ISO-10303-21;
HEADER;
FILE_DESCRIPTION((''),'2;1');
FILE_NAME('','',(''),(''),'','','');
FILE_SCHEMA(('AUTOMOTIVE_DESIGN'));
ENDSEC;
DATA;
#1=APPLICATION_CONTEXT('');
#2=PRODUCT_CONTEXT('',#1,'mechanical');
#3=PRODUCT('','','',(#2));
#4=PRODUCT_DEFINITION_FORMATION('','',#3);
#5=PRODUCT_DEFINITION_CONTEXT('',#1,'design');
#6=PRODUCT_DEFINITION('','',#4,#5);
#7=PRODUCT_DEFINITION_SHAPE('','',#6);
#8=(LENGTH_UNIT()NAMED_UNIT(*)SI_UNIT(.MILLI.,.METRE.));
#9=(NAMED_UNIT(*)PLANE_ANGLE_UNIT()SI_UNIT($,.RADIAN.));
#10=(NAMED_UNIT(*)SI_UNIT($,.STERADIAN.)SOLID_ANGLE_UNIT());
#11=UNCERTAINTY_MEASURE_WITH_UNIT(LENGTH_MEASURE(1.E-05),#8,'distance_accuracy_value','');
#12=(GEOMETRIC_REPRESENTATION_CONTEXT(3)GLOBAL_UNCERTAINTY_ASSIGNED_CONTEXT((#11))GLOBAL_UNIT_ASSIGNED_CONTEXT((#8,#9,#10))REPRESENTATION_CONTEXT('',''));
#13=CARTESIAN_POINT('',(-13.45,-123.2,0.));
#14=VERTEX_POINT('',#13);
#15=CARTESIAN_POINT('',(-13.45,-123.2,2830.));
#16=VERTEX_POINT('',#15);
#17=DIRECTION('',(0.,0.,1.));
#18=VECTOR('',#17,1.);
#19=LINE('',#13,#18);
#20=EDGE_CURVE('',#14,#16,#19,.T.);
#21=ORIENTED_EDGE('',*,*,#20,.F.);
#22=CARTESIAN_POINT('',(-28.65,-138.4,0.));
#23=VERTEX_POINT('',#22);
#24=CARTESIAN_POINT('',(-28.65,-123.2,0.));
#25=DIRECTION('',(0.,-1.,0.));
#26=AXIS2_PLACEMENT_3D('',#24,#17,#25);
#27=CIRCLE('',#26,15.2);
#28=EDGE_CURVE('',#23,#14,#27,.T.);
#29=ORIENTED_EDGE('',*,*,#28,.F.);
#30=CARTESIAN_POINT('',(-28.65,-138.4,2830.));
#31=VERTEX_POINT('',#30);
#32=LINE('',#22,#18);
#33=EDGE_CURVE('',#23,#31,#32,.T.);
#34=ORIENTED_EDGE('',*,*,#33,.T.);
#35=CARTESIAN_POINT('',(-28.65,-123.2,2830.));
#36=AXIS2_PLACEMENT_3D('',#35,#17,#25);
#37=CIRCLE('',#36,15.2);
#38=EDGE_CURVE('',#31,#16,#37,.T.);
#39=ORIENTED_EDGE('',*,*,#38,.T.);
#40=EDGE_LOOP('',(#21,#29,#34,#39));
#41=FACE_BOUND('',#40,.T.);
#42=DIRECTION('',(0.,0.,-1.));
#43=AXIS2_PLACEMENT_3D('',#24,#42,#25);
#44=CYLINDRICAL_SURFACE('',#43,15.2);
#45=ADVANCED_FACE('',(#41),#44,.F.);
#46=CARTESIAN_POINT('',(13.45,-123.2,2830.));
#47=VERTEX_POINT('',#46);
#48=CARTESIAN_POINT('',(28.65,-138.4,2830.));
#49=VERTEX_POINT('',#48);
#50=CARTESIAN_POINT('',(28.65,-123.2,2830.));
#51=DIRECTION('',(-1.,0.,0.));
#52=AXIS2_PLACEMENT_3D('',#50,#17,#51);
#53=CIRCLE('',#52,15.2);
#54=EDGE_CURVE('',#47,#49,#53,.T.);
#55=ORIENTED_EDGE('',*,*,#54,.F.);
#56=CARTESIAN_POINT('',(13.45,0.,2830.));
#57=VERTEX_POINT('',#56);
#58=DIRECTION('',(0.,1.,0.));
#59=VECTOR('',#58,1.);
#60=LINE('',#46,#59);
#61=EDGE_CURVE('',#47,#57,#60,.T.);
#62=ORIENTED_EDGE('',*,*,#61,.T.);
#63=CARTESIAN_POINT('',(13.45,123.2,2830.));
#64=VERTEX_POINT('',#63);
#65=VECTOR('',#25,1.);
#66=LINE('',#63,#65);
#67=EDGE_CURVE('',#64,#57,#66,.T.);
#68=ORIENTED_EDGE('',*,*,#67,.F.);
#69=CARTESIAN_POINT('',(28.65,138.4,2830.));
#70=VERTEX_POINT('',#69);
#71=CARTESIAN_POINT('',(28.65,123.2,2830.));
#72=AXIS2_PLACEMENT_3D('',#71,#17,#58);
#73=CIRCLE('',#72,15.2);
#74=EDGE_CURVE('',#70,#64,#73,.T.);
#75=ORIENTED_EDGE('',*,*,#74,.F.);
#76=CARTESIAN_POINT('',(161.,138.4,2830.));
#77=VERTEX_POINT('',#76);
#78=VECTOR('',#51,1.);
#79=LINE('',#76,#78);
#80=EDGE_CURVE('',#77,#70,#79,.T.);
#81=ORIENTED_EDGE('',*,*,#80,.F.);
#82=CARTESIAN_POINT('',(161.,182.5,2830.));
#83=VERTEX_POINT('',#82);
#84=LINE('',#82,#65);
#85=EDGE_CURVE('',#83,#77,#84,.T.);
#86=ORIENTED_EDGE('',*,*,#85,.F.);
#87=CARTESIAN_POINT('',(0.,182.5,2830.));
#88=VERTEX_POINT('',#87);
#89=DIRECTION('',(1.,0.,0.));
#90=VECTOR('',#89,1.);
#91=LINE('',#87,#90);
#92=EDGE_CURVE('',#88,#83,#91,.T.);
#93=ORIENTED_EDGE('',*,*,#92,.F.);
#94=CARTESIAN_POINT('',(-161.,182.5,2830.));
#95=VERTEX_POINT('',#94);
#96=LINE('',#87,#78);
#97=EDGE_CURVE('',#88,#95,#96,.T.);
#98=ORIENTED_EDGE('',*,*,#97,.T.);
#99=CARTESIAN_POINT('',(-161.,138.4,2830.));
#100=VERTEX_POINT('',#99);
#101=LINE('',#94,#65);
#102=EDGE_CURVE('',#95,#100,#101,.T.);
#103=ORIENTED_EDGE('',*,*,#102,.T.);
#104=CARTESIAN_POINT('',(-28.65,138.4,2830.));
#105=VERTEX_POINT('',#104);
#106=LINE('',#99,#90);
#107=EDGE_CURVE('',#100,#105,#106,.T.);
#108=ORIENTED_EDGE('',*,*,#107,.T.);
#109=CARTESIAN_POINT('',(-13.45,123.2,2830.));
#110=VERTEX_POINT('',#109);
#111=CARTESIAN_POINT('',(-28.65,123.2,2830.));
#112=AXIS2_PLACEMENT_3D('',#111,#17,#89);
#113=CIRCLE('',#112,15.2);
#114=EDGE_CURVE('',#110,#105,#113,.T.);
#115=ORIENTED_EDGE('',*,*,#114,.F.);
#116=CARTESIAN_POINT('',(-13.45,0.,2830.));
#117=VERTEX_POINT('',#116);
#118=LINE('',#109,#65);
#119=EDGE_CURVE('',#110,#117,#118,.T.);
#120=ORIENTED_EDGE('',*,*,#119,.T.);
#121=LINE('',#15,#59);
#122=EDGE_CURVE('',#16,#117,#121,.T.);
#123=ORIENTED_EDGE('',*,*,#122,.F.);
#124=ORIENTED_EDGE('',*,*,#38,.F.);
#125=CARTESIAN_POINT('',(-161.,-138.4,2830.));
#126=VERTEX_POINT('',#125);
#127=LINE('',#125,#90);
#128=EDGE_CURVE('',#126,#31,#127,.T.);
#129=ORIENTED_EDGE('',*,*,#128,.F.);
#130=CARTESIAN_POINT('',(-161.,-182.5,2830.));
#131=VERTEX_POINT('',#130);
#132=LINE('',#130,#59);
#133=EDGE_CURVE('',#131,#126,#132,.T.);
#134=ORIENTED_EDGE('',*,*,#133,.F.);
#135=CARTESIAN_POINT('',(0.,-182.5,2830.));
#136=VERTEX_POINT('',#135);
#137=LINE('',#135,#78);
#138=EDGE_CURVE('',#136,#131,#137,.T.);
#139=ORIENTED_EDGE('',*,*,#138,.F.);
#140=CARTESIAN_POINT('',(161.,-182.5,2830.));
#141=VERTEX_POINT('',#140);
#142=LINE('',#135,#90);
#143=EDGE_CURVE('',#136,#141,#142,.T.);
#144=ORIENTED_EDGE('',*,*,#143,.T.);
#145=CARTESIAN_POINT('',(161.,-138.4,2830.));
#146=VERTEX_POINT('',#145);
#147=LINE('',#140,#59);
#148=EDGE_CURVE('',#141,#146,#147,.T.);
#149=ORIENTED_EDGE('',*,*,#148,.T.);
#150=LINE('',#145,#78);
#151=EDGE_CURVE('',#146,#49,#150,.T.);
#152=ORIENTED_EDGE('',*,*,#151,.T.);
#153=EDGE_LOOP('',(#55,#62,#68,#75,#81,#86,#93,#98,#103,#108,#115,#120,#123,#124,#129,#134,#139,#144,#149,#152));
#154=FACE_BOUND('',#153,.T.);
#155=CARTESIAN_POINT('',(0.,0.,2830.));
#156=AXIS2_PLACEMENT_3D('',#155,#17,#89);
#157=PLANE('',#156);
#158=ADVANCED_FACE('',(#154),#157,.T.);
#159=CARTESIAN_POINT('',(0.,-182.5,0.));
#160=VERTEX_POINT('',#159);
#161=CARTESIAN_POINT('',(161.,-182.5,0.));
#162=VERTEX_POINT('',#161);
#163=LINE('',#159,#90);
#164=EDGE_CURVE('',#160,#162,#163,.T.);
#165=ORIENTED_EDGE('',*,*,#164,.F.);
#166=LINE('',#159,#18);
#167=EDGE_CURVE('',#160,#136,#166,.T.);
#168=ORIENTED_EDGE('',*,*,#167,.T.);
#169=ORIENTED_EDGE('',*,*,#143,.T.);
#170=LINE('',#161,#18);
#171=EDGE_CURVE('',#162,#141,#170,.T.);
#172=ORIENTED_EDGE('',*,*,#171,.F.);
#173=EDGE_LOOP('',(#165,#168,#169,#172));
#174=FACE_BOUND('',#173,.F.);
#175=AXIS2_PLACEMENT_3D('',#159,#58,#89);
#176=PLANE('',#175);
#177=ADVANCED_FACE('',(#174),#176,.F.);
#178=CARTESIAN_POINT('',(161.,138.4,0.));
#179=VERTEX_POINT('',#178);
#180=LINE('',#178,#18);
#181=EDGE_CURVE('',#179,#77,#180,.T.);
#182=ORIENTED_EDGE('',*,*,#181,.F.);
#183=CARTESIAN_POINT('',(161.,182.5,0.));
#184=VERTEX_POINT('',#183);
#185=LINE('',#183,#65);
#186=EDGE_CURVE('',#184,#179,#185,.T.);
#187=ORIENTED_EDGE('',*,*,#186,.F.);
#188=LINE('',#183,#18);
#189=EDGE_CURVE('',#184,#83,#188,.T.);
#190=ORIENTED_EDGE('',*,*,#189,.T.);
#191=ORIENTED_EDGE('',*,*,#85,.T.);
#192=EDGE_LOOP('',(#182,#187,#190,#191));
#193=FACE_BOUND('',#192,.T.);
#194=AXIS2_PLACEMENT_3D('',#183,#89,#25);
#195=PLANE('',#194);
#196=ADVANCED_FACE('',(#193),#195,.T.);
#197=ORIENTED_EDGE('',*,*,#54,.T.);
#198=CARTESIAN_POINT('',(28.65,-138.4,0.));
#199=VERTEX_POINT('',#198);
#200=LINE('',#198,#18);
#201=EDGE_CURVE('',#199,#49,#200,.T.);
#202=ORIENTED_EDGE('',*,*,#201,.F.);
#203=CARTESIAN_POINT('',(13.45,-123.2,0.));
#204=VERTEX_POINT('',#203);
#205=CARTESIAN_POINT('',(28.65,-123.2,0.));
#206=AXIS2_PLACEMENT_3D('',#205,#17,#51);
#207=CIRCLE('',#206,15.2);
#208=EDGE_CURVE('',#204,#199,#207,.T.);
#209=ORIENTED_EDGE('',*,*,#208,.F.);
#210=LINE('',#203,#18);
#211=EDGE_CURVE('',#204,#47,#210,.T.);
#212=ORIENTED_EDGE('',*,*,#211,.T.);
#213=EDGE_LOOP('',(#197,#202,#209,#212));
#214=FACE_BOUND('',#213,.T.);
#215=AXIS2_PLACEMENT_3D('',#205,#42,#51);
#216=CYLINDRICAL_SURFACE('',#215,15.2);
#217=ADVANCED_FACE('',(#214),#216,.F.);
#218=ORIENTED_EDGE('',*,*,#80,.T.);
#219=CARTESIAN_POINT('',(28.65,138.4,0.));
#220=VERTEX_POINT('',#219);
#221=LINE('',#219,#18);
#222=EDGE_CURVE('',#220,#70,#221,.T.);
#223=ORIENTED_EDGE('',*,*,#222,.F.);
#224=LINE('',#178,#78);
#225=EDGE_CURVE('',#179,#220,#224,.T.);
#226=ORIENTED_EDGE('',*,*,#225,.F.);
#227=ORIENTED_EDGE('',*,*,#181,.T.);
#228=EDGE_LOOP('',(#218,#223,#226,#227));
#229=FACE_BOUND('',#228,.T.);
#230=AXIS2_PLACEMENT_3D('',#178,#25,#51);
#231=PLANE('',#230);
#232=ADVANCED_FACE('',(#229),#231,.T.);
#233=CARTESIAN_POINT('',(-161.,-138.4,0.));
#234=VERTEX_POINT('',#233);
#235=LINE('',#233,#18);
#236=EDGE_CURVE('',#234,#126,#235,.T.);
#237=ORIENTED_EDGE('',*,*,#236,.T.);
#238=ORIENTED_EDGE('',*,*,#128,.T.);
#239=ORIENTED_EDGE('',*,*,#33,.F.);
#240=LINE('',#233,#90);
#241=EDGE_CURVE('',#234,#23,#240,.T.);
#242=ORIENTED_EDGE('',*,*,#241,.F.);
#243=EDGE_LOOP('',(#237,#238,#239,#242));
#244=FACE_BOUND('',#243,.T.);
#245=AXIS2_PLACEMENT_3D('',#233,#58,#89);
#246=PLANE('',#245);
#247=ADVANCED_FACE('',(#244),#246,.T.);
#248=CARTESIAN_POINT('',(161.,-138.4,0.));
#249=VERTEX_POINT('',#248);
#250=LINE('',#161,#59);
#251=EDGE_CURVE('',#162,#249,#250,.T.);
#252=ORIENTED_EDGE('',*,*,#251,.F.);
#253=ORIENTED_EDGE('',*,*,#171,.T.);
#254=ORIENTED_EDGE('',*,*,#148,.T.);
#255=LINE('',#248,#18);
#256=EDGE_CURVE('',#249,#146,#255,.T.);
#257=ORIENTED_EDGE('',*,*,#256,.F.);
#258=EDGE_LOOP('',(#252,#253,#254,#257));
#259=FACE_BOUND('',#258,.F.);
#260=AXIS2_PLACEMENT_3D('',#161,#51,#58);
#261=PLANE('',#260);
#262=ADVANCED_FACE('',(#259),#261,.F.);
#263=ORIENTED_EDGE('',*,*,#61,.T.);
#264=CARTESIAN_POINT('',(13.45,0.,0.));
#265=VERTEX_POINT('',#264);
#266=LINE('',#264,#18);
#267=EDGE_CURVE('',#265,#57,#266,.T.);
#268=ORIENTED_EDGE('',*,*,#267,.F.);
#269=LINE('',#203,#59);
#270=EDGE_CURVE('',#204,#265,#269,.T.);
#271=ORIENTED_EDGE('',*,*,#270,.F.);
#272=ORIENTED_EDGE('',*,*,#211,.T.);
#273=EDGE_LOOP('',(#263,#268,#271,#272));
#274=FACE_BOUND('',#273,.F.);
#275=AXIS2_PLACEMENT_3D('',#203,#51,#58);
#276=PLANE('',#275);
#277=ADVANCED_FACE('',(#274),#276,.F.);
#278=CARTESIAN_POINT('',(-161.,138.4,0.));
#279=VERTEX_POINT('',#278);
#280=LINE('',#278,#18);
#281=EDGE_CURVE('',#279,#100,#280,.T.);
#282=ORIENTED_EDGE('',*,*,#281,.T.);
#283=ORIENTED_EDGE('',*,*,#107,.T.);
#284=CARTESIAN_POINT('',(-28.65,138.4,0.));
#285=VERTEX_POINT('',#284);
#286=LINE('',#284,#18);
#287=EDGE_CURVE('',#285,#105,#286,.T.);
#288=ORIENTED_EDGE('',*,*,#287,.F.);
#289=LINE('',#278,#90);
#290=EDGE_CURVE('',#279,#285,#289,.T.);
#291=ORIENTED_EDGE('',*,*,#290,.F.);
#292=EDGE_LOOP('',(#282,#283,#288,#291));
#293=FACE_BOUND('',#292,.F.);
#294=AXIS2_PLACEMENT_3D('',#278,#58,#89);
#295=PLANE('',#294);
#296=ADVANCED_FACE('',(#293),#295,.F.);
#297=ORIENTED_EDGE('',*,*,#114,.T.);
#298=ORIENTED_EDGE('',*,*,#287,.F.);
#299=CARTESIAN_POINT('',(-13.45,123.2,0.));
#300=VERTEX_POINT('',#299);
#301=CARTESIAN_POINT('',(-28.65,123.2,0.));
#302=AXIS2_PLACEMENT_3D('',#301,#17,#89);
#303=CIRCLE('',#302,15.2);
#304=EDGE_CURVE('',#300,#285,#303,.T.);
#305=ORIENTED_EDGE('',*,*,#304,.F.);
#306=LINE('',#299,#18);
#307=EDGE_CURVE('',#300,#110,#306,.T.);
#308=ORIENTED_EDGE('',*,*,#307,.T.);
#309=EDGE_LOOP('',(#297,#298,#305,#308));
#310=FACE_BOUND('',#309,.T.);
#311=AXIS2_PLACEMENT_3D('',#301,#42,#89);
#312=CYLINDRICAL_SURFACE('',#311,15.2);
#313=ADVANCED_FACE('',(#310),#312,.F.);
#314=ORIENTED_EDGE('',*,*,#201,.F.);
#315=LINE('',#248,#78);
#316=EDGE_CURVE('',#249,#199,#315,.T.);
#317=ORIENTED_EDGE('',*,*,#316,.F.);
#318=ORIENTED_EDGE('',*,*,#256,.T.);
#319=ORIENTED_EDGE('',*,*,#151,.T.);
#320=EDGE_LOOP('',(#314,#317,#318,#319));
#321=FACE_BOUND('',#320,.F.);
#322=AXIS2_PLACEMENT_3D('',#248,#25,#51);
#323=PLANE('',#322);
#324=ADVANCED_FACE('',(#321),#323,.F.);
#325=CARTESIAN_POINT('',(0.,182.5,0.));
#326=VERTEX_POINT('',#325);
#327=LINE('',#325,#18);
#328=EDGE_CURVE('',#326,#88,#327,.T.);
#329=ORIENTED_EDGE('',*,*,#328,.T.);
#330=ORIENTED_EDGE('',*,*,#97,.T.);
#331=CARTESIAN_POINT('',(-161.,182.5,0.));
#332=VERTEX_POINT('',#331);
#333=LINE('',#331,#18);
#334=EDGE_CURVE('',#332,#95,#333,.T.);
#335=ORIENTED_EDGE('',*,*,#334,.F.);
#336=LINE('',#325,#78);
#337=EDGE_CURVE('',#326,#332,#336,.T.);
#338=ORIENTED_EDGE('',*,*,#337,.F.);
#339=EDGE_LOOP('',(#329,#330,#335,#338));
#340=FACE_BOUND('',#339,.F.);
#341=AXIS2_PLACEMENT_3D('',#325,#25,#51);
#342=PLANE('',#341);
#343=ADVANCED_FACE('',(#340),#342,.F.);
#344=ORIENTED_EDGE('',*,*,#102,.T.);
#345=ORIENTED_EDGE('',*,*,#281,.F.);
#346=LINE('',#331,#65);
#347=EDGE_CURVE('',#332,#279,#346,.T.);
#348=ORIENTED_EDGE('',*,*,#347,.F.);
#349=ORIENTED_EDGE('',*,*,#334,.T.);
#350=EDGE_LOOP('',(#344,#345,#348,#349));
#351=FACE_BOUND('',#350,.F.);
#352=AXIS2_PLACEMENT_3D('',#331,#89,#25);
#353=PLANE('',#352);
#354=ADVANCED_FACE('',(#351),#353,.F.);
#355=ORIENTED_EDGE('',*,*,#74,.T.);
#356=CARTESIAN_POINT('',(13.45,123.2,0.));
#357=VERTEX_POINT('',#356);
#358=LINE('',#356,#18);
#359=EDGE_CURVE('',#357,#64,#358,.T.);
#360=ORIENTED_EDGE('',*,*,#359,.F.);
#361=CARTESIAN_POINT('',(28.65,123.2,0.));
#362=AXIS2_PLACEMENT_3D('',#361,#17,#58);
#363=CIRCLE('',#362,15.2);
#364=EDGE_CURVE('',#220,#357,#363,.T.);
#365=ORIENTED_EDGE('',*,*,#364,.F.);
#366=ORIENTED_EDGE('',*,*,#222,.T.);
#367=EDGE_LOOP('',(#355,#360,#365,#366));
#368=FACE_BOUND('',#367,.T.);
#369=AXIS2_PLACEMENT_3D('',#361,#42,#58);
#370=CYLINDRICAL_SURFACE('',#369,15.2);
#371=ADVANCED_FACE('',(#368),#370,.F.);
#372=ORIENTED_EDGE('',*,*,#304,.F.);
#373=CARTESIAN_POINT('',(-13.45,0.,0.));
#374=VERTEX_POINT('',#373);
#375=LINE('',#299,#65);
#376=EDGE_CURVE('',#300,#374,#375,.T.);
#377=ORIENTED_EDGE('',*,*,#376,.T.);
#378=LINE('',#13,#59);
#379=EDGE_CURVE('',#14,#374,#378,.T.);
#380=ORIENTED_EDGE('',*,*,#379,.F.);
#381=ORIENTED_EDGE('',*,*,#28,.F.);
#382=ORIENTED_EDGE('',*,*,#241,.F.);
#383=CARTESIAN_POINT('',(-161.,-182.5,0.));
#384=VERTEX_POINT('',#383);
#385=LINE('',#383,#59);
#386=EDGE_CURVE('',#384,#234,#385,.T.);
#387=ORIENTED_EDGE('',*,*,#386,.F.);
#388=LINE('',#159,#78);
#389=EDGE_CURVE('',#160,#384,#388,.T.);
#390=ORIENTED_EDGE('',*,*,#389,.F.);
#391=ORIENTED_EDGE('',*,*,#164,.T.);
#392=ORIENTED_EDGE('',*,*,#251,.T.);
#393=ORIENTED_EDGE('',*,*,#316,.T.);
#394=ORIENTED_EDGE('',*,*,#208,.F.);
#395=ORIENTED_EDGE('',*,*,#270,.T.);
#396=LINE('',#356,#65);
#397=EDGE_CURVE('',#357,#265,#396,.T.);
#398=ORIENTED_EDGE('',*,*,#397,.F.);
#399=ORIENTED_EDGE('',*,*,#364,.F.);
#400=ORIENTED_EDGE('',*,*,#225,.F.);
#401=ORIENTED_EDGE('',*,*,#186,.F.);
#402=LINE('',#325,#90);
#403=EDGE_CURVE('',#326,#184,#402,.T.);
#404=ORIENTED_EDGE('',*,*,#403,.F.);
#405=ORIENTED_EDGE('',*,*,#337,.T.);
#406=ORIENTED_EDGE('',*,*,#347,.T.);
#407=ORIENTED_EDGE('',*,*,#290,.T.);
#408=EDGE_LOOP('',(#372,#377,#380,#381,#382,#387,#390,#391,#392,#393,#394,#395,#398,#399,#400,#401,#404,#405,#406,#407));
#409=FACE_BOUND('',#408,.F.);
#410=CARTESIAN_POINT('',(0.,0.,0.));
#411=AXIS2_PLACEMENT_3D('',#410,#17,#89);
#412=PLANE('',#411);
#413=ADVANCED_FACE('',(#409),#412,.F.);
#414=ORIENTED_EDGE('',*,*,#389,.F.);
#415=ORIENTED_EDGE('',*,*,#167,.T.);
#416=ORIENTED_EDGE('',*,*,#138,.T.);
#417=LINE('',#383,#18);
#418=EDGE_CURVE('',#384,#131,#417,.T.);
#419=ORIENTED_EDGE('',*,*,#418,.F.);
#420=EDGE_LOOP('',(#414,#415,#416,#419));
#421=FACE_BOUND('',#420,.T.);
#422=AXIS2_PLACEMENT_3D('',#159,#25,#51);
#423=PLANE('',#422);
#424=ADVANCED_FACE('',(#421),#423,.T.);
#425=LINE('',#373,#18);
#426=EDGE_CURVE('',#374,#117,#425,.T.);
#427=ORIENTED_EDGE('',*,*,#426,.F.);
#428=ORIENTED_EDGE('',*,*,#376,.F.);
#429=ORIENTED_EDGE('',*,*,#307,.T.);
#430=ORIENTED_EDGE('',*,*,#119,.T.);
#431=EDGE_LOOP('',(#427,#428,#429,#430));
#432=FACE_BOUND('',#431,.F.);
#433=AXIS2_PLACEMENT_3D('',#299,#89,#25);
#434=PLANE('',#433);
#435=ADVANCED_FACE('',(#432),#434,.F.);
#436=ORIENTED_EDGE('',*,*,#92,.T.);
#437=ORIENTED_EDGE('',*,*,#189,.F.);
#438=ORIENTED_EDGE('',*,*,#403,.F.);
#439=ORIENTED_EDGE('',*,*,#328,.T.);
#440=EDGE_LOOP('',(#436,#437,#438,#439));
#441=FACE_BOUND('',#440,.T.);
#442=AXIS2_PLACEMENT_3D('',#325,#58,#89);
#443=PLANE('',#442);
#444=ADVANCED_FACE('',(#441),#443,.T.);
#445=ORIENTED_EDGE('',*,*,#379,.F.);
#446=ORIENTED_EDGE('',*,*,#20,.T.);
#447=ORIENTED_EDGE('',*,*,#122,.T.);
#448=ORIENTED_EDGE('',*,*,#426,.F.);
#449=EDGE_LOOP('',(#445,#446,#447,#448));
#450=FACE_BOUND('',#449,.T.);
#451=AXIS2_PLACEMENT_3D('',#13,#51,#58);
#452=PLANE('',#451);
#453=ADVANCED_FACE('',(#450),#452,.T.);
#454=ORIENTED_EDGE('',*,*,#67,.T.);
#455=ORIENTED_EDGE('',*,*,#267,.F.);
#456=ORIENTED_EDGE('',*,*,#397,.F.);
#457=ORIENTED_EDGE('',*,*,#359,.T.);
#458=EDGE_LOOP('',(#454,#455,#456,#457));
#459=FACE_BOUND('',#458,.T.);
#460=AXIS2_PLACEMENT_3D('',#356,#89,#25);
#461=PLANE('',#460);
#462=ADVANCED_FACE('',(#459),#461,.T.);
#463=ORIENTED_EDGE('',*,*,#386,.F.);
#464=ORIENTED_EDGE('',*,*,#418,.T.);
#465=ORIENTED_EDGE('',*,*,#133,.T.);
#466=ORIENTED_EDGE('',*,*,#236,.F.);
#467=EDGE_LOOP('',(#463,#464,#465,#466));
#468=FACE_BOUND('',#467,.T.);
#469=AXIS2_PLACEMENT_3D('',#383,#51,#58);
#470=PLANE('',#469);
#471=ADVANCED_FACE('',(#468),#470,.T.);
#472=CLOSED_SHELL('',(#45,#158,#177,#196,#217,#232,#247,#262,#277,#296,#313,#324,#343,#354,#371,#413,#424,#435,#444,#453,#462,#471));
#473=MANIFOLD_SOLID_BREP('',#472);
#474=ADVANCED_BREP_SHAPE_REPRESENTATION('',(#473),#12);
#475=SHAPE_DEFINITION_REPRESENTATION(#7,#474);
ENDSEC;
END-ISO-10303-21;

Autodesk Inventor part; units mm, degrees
ref_plane "YZ Plane" through (0, 0, 0) normal (1, 0, 0) x (0, 1, 0)
ref_plane "Start plane" through (0, 0, 0) normal (0, 0, 1) x (1, 0, 0)
ref_plane "End plane" through (0, 0, 2830) normal (0, 0, 1) x (1, 0, 0)
sketch "Sketch" plane through (0, 0, 0) normal (0, 0, 1) x (1, 0, 0)
  line L0 (-161, -182.5) -> (-161, -138.4)
  line L1 (-161, -138.4) -> (-28.65, -138.4)
  line L2 (-13.45, -123.2) -> (-13.45, 0)
  line L3 (-13.45, 0) -> (0, 0) construction
  line L4 (0, 0) -> (0, -182.5) construction
  line L5 (0, -182.5) -> (-161, -182.5)
  line L6 (-60, 0) -> (80, 0) construction
  line L7 (0, -60) -> (0, 80) construction
  line L8 (161, -182.5) -> (161, -138.4)
  line L9 (161, -138.4) -> (28.65, -138.4)
  line L10 (13.45, -123.2) -> (13.45, 0)
  line L11 (13.45, 0) -> (0, 0) construction
  line L12 (0, -182.5) -> (161, -182.5)
  line L13 (-161, 182.5) -> (-161, 138.4)
  line L14 (-161, 138.4) -> (-28.65, 138.4)
  line L15 (-13.45, 123.2) -> (-13.45, 0)
  line L16 (0, 182.5) -> (-161, 182.5)
  line L17 (161, 182.5) -> (161, 138.4)
  line L18 (161, 138.4) -> (28.65, 138.4)
  line L19 (0, 182.5) -> (161, 182.5)
  line L20 (13.45, 123.2) -> (13.45, 0)
  arc A0 (-13.45, 123.2) -> (-28.65, 138.4) centre (-28.65, 123.2) ccw
  arc A1 (28.65, 138.4) -> (13.45, 123.2) centre (28.65, 123.2) ccw
  arc A2 (13.45, -123.2) -> (28.65, -138.4) centre (28.65, -123.2) ccw
  arc A3 (-28.65, -138.4) -> (-13.45, -123.2) centre (-28.65, -123.2) ccw
  line L21 (0, 108) -> (0, -88) construction
  line L22 (-88, 0) -> (108, 0) construction
  point P0 (-13.45, -138.4)
  point P1 (13.45, -138.4)
  point P2 (-13.45, 138.4)
  point P3 (13.45, 138.4)
  dimension "d1" = 182.5
  dimension "d2" = 44.1
  dimension "d3" = 161
  dimension "d4" = 13.45
  dimension "d10" = 15.2
extrude "Body" add sketch "Sketch" along normal up to surface (2830 mm away) from surface at 0
sketch "Sketch4" plane through (0, 0, 0) normal (0, 0, 1) x (1, 0, 0)
  line L0 (0, 0) -> (10, 0)
ref_plane "Work Plane3" through (0, 0, 0) normal (0, -1, 0) x (1, 0, 0)
sketch "Sketch5" plane through (0, 0, 0) normal (0, -1, 0) x (1, 0, 0)
  line L0 (-2, 0) -> (12, 0) projected
  line L1 (-2, 2830) -> (12, 2830) projected
  dimension "d14" = 2830
equation "\"d1\" = 0.5 * G_H"
equation "\"d2\" = G_T1"
equation "\"d3\" = 0.5 * G_W"
equation "\"d4\" = 0.5 * G_T"
equation "\"d10\" = G_IR"
equation "\"d5\" = G_L"
equation "\"G_W\" = 322"
equation "\"G_H\" = 365"
equation "\"G_T\" = 26.9"
equation "\"G_T1\" = 44.1"
equation "\"G_IR\" = 15.2"
equation "\"G_L\" = d14"
equation "\"G_OFFSET_START\" = 0"
equation "\"G_OFFSET_END\" = 0"
properties part number "AS 3679 - 310 UC - 283 - 2830" material "Steel, Mild"
